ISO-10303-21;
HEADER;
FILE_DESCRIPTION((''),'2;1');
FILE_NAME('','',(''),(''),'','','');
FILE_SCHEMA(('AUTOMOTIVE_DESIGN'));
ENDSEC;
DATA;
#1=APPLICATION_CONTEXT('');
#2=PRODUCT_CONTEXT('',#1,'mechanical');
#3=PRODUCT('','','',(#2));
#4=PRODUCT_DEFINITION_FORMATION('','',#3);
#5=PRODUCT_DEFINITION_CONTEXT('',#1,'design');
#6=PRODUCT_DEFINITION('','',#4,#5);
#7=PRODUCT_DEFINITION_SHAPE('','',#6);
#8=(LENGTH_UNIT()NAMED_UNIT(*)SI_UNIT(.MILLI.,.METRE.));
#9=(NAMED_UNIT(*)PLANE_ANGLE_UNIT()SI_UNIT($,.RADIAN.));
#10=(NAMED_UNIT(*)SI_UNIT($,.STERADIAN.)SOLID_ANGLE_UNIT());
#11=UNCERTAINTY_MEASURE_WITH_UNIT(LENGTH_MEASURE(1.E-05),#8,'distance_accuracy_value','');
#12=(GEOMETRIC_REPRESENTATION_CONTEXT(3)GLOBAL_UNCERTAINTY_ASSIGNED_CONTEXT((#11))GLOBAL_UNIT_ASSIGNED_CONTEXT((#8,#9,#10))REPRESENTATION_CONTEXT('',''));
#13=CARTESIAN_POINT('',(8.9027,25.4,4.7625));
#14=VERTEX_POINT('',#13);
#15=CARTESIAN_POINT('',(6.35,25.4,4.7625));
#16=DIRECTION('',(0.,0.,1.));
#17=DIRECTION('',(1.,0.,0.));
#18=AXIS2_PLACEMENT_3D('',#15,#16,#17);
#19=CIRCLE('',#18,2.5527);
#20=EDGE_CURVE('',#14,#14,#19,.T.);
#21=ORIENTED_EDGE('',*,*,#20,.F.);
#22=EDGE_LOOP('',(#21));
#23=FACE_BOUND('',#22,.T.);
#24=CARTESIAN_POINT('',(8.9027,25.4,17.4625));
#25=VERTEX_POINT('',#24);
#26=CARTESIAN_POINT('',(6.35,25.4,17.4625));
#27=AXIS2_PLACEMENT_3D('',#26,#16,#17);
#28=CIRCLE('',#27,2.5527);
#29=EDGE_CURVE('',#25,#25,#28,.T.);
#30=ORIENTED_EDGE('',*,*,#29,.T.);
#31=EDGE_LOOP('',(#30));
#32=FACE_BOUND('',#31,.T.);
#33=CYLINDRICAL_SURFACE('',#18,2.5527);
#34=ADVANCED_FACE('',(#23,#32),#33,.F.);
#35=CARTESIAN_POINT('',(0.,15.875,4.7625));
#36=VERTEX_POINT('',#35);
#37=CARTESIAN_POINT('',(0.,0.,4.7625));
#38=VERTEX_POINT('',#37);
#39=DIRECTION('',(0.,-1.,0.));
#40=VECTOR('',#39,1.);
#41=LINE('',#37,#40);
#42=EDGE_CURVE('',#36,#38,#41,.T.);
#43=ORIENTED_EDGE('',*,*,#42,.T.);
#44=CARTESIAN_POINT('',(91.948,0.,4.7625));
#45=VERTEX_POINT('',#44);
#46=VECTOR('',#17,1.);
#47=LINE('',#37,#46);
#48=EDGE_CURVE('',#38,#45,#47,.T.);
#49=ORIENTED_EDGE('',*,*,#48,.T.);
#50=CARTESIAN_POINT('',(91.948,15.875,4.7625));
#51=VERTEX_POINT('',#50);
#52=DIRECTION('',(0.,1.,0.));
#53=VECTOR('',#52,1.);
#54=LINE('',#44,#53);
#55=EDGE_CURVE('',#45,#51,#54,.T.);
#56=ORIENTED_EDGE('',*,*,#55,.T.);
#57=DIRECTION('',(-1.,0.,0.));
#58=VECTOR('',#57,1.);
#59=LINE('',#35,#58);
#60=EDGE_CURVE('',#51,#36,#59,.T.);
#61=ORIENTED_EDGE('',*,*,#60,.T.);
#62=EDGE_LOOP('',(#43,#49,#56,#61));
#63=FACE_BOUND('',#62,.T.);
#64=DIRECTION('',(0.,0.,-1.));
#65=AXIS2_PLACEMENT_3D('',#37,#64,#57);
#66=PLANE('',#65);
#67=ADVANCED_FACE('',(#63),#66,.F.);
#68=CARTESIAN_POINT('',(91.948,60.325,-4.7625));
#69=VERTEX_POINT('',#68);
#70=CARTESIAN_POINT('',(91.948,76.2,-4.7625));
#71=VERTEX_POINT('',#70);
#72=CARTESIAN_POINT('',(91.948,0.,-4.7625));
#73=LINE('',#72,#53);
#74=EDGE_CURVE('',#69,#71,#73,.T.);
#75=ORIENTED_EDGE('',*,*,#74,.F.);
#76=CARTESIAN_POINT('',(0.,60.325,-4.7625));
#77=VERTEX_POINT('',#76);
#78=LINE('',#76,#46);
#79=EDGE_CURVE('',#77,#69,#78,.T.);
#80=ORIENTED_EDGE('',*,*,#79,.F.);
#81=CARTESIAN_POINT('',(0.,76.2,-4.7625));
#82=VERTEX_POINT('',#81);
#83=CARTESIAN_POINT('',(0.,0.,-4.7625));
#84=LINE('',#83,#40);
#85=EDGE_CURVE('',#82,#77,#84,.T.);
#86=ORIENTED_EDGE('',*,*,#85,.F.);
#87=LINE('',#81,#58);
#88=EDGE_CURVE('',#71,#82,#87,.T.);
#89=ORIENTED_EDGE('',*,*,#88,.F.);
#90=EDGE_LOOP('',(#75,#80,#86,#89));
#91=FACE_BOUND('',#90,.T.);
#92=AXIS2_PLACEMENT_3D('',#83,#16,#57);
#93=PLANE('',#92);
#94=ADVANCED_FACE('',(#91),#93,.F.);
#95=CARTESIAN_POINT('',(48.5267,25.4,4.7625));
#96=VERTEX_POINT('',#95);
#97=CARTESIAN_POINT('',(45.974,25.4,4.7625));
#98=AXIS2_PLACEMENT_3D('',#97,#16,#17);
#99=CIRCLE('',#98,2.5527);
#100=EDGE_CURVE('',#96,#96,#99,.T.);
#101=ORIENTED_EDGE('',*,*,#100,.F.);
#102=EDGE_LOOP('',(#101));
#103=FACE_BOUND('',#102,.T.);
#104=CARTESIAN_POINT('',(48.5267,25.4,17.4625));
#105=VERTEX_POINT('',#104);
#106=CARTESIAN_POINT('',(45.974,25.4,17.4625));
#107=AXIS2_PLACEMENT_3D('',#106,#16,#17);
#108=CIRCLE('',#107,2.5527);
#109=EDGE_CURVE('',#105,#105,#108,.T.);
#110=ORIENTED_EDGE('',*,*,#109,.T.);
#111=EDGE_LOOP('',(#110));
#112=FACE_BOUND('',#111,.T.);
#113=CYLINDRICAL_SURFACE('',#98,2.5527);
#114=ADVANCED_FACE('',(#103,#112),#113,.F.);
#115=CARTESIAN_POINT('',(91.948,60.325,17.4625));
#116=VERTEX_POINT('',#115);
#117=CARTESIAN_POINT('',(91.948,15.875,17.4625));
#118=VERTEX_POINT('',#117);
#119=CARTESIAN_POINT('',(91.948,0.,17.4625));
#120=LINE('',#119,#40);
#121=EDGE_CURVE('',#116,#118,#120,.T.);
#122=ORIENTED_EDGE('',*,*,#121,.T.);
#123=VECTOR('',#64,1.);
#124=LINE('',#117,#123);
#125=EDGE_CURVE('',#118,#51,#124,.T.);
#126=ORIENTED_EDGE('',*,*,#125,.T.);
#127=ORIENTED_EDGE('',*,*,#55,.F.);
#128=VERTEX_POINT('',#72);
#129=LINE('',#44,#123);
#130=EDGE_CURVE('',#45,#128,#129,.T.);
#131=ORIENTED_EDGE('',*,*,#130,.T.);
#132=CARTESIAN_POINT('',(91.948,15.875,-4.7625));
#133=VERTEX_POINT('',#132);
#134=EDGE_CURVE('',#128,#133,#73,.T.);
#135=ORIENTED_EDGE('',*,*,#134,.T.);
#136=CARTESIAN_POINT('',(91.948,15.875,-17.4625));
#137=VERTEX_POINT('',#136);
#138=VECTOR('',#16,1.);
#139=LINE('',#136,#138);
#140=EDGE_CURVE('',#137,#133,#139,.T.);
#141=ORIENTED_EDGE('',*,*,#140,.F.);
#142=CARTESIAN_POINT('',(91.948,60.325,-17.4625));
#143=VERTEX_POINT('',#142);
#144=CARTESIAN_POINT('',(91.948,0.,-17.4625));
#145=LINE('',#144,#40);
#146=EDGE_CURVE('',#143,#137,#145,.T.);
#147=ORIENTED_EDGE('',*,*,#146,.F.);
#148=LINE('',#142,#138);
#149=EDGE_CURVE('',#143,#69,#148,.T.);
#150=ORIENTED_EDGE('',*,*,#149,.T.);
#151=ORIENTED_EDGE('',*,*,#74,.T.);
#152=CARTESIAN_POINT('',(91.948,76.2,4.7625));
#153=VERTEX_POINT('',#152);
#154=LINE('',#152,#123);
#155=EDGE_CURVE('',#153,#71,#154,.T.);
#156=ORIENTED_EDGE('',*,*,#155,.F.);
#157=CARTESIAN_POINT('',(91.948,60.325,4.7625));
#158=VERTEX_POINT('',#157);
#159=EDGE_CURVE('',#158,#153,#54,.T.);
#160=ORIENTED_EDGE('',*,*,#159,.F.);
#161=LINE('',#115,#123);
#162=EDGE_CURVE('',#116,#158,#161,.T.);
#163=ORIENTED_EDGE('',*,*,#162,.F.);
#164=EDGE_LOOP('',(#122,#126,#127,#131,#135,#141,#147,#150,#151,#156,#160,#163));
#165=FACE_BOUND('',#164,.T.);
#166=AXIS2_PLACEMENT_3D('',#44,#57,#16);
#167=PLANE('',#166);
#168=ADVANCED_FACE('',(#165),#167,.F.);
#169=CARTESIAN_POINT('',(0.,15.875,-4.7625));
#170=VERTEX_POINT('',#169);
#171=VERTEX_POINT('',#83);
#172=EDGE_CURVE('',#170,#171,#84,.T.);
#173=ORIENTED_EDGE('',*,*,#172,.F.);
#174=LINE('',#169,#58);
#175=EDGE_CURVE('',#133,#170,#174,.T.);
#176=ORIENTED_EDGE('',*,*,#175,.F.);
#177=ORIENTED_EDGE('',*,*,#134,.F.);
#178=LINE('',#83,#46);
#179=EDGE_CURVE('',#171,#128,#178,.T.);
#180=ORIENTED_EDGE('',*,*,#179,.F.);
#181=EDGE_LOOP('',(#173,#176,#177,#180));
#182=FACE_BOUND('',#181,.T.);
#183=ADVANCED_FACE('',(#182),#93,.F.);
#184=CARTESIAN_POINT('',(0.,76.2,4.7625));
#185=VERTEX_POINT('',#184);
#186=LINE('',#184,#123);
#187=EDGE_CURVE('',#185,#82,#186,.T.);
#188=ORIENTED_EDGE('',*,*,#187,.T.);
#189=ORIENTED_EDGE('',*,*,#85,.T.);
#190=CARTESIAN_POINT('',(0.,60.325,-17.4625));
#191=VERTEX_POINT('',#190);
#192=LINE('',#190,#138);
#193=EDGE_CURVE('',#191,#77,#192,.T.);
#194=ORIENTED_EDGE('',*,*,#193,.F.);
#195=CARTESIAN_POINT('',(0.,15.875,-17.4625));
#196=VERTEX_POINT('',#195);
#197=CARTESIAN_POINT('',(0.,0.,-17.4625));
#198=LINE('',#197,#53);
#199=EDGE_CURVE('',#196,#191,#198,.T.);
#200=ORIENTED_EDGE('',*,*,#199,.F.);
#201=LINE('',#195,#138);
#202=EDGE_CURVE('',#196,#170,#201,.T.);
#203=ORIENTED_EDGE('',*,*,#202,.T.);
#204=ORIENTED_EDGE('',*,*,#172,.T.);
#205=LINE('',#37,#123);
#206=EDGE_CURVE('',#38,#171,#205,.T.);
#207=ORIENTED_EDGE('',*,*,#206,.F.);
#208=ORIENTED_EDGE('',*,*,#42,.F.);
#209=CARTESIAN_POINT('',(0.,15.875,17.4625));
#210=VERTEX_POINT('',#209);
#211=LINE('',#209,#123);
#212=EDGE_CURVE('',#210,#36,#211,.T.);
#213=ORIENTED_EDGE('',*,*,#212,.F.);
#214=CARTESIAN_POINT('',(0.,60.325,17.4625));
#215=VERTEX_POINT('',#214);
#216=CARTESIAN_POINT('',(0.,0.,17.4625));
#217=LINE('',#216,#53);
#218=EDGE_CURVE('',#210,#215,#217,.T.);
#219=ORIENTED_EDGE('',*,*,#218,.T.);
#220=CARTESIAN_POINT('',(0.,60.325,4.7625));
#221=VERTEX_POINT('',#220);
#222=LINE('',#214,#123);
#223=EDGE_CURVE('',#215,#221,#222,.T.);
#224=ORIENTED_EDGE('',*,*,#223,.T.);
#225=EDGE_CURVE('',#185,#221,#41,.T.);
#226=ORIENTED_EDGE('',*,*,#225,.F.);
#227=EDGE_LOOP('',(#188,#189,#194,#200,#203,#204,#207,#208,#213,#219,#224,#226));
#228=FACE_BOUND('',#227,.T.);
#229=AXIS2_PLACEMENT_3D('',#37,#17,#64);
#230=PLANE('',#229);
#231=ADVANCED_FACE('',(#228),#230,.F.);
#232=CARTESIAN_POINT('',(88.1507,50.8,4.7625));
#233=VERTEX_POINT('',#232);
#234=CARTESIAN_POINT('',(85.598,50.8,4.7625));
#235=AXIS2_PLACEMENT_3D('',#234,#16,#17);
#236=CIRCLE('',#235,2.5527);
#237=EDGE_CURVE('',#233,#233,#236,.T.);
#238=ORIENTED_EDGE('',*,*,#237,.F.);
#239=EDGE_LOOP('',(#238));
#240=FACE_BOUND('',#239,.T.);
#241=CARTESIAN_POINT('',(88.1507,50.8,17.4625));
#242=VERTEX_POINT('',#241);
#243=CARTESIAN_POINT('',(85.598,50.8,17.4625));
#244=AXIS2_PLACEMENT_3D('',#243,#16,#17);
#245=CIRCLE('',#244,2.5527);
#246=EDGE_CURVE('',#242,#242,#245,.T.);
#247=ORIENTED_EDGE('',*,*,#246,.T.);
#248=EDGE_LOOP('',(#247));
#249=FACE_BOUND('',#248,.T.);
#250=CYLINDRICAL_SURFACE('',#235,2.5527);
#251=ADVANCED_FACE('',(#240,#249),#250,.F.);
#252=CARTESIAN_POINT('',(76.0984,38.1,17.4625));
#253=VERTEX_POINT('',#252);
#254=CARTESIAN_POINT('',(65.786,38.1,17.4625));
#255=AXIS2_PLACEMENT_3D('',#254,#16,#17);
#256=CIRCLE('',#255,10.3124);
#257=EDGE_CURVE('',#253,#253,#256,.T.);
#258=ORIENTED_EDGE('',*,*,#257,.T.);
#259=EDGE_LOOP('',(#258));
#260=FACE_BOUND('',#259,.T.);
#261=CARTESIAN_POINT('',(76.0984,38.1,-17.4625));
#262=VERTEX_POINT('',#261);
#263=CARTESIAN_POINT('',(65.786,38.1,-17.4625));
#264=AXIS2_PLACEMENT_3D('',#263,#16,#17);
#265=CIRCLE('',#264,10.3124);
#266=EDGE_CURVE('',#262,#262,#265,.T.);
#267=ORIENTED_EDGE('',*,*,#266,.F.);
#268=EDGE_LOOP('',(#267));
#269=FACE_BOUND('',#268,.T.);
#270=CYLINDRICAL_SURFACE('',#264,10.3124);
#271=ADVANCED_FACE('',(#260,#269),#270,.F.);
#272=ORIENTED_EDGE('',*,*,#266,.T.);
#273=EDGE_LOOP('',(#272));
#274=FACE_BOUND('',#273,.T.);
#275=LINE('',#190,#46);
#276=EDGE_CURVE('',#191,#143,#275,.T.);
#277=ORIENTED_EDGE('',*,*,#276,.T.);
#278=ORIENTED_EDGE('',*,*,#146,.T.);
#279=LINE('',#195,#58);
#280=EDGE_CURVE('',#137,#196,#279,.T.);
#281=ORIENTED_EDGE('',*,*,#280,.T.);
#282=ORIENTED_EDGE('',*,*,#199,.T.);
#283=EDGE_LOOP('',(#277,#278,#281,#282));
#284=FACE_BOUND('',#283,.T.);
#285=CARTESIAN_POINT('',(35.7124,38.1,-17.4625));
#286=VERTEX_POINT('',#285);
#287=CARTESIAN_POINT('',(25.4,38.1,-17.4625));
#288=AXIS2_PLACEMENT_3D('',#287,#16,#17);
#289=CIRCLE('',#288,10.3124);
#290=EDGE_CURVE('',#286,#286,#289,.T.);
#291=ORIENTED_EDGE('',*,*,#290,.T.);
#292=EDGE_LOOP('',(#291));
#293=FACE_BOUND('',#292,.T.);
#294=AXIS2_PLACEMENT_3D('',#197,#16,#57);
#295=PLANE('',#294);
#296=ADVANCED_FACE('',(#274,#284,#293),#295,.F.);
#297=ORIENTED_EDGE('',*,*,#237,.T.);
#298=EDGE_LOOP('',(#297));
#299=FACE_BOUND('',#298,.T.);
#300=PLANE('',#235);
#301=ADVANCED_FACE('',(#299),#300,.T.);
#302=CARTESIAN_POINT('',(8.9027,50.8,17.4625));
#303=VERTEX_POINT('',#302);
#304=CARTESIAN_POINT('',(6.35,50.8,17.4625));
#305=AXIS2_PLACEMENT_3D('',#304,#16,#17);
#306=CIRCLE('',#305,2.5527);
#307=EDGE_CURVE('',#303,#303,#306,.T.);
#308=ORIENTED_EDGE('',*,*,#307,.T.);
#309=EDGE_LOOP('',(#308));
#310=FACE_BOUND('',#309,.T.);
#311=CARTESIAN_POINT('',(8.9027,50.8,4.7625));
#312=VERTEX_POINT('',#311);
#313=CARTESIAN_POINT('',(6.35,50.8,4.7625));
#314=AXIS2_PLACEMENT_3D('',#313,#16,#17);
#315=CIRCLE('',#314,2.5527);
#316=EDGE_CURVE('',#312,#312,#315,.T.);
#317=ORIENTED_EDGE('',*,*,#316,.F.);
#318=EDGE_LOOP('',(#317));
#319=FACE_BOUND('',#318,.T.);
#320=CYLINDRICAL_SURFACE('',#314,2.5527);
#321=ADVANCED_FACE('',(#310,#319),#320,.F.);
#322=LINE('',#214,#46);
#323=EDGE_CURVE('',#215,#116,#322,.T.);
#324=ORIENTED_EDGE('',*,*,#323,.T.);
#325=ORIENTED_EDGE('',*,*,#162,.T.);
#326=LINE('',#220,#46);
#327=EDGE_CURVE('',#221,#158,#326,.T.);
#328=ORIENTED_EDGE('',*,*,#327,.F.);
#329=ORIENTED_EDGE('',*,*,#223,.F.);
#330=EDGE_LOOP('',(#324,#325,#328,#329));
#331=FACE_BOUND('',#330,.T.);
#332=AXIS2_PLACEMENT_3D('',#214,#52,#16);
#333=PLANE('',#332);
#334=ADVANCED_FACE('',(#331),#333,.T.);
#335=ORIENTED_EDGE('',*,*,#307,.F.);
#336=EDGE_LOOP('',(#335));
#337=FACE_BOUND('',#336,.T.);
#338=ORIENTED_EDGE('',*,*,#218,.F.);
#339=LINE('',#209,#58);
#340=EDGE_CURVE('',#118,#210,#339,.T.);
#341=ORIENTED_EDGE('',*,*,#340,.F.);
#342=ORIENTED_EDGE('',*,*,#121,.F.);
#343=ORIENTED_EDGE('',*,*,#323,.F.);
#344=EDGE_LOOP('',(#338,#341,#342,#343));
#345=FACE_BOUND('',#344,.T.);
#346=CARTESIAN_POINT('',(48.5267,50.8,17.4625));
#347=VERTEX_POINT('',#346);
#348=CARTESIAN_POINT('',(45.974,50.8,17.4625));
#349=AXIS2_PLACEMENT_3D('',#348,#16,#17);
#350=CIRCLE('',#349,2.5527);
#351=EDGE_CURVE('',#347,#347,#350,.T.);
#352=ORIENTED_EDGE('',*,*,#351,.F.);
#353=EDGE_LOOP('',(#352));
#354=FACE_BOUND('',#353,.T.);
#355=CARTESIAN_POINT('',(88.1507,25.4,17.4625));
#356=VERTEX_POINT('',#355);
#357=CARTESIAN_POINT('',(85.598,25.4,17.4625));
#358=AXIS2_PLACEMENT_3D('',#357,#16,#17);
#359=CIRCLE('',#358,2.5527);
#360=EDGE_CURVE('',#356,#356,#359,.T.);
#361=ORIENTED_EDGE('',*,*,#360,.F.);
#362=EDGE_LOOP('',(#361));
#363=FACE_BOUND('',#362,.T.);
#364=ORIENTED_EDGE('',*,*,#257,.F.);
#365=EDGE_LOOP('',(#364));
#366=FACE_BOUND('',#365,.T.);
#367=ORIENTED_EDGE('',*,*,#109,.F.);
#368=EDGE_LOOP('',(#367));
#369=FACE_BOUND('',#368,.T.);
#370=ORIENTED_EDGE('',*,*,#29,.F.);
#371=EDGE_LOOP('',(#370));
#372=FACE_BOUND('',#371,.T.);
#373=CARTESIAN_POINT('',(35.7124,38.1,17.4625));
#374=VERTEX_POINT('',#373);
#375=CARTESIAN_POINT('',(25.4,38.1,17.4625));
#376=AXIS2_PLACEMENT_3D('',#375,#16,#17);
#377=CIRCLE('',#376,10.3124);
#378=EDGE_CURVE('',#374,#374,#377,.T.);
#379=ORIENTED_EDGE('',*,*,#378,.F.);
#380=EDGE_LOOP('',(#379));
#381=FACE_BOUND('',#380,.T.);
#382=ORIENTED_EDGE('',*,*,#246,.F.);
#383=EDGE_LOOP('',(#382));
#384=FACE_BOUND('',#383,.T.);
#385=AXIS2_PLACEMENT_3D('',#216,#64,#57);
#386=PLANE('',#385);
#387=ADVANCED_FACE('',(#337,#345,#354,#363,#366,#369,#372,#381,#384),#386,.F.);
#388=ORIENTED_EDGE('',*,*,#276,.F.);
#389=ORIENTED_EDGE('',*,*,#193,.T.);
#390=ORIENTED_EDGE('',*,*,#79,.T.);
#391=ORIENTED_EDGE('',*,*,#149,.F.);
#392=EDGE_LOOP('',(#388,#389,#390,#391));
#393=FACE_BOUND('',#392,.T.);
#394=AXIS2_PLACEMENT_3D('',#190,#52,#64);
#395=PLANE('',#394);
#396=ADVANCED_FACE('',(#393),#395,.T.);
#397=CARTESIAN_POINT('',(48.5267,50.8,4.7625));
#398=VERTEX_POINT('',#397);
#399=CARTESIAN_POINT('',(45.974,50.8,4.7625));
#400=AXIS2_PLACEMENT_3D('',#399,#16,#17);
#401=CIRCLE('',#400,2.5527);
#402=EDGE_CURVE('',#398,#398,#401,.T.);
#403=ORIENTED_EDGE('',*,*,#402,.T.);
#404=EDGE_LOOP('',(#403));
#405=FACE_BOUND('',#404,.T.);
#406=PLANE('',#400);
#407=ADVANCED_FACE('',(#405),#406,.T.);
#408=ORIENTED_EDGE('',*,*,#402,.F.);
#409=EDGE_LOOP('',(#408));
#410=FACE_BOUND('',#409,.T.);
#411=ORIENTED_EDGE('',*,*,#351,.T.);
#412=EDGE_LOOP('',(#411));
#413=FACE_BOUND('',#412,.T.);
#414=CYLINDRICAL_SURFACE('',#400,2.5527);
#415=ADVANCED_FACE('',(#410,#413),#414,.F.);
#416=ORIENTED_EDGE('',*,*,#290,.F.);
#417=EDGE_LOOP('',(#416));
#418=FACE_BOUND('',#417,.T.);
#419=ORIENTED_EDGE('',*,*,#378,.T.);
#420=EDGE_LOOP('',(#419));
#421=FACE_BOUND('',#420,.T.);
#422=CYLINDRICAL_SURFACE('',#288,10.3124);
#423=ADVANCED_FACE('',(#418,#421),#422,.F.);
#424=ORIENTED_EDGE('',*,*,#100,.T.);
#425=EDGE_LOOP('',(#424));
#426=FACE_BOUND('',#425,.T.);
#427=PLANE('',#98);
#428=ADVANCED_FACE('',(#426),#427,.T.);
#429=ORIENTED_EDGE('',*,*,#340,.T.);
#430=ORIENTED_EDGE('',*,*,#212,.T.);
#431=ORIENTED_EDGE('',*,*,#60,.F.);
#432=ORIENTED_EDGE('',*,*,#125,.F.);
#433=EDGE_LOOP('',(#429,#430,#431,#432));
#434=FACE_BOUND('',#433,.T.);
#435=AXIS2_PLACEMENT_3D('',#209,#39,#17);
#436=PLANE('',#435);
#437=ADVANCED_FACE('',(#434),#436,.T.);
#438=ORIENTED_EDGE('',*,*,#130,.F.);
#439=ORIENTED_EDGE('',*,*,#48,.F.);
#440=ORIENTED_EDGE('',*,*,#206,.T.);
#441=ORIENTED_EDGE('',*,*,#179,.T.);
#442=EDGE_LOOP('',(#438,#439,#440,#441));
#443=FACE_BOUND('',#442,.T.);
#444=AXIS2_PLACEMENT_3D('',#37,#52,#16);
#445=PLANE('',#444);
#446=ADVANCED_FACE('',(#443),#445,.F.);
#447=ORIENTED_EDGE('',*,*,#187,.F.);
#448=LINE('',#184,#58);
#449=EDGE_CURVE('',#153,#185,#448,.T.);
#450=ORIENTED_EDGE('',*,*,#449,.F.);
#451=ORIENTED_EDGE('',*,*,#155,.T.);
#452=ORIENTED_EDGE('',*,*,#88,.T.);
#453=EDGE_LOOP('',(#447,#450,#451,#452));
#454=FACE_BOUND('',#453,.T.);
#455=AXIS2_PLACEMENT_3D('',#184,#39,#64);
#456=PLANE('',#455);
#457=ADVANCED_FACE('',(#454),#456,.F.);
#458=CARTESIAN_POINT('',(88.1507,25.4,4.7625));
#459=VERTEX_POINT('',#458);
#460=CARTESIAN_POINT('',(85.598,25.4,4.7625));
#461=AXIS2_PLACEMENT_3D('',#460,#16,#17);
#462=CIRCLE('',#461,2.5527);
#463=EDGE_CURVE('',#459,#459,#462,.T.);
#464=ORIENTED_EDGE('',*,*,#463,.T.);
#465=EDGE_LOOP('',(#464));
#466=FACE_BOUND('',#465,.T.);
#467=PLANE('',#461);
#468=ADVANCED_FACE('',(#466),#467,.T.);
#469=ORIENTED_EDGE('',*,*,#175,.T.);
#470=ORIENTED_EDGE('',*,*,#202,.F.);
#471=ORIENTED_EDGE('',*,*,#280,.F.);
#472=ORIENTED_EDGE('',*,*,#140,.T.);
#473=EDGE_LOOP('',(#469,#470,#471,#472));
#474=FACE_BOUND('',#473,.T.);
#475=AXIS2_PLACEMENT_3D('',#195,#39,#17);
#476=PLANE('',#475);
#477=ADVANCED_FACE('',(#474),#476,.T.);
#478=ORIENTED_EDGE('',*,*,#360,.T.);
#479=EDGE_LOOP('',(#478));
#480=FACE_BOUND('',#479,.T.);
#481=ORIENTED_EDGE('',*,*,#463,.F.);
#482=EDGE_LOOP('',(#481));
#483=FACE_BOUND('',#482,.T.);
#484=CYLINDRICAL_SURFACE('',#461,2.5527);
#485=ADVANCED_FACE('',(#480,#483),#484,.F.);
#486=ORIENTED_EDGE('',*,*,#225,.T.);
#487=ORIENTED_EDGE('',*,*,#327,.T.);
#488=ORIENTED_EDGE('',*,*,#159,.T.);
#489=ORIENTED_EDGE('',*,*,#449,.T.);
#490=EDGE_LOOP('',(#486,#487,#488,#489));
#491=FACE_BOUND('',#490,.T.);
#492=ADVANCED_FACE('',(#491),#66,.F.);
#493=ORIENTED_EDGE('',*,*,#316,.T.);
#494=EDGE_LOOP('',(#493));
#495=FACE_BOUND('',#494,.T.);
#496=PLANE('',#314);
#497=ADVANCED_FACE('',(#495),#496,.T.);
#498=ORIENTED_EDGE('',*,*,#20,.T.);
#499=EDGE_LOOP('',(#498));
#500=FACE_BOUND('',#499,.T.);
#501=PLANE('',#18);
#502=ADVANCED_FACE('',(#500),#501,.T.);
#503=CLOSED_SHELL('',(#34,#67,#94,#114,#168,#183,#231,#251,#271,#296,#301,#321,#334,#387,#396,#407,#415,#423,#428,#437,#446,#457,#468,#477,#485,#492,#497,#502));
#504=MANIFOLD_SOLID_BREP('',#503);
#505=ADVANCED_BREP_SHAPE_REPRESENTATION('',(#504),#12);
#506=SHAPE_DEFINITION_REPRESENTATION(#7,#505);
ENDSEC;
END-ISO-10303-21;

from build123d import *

# Parameters (mm, degrees)
SKETCH1_W           = 91.948
SKETCH1_H           = 76.2
BOSS_EXTRUDE1_DEPTH = 4.7625
BOSS_EXTRUDE2_START = -4.7625
SKETCH2_W           = 91.948
SKETCH2_H           = 44.45
BOSS_EXTRUDE2_DEPTH = 12.7
SKETCH3_R           = 10.3124
CUT_EXTRUDE6_DEPTH  = 125.421181191
SKETCH4_R           = 2.5527
CUT_EXTRUDE7_DEPTH  = 12.7


with BuildPart() as part:
    # Sketch1 → Boss-Extrude1 (new body)
    with BuildSketch(Plane.XY):
        with Locations((45.974, 38.1)):
            Rectangle(SKETCH1_W, SKETCH1_H)
    boss_extrude1 = extrude(amount=BOSS_EXTRUDE1_DEPTH)

    # Sketch2 → Boss-Extrude2 (add)
    with BuildSketch(Plane(origin=(0, 0, 0), x_dir=(-1, 0, 0), z_dir=(0, 0, -1)).offset(BOSS_EXTRUDE2_START)):
        with Locations((-45.974, 38.1)):
            Rectangle(SKETCH2_W, SKETCH2_H)
    boss_extrude2 = extrude(amount=-BOSS_EXTRUDE2_DEPTH)

    # Mirror1: Boss-Extrude1, Boss-Extrude2 across plane
    add(boss_extrude1.mirror(Plane.XY))
    add(boss_extrude2.mirror(Plane.XY))

    # Sketch3 → Cut-Extrude6 (cut, through all)
    with BuildSketch(Plane.XY.offset(17.4625)):
        with Locations((25.4, 38.1)):
            Circle(SKETCH3_R)
        with Locations((65.786, 38.1)):
            Circle(SKETCH3_R)
    extrude(amount=-CUT_EXTRUDE6_DEPTH, mode=Mode.SUBTRACT)

    # Sketch4 → Cut-Extrude7 (cut)
    with BuildSketch(Plane.XY.offset(17.4625)):
        with Locations((6.35, 50.8)):
            Circle(SKETCH4_R)
        with Locations((6.35, 25.4)):
            Circle(SKETCH4_R)
        with Locations((45.974, 25.4)):
            Circle(SKETCH4_R)
        with Locations((45.974, 50.8)):
            Circle(SKETCH4_R)
        with Locations((85.598, 50.8)):
            Circle(SKETCH4_R)
        with Locations((85.598, 25.4)):
            Circle(SKETCH4_R)
    extrude(amount=-CUT_EXTRUDE7_DEPTH, mode=Mode.SUBTRACT)


solid = part.part
